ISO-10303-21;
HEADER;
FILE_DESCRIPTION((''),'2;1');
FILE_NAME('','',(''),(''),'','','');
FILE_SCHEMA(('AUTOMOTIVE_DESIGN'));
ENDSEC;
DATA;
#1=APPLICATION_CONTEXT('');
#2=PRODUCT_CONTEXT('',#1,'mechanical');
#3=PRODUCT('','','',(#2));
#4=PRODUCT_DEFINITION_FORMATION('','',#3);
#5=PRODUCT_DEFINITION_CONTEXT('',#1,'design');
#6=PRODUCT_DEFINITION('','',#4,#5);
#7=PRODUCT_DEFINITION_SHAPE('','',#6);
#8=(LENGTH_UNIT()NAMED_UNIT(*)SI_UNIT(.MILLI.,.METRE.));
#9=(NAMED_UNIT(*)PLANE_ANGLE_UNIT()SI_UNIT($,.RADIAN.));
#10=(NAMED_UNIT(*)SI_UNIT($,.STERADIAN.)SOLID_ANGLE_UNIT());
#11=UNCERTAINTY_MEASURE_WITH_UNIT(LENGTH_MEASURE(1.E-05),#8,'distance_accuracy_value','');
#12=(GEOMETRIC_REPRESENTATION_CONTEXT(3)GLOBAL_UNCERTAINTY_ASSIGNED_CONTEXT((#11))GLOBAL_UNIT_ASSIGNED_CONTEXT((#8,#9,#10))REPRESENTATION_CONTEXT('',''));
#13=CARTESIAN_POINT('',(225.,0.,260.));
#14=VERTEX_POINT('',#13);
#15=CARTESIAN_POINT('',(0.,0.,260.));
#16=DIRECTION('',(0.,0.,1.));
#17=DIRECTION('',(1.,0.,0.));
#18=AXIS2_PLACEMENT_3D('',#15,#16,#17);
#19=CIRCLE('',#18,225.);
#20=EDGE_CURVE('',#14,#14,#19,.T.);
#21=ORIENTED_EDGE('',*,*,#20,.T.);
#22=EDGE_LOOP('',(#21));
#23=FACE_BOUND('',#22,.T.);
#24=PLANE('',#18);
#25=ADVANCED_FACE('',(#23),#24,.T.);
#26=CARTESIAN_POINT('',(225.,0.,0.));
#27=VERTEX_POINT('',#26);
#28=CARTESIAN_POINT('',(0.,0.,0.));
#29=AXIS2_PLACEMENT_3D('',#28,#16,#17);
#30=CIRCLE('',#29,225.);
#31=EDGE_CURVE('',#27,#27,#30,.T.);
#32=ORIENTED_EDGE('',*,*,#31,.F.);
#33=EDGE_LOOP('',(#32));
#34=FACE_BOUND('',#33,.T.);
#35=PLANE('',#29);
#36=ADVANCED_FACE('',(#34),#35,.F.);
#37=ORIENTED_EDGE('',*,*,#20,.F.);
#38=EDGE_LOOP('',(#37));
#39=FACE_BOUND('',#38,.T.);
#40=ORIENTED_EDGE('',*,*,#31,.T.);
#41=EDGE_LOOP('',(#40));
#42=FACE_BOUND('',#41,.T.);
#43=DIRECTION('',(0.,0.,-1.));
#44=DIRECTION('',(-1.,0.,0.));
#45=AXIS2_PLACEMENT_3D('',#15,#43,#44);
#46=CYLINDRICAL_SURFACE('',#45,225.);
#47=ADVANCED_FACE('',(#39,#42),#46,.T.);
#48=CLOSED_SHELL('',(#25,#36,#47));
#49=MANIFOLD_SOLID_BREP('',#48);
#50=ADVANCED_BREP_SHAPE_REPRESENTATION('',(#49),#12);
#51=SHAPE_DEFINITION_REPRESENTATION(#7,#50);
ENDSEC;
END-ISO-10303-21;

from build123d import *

# Parameters (mm, degrees)
SKETCH_1_R      = 225
EXTRUDE_1_DEPTH = 260


with BuildPart() as part:
    # 草图1 → 凸台-拉伸1 (new body)
    with BuildSketch(Plane.XY):
        Circle(SKETCH_1_R)
    extrude(amount=EXTRUDE_1_DEPTH)


solid = part.part
